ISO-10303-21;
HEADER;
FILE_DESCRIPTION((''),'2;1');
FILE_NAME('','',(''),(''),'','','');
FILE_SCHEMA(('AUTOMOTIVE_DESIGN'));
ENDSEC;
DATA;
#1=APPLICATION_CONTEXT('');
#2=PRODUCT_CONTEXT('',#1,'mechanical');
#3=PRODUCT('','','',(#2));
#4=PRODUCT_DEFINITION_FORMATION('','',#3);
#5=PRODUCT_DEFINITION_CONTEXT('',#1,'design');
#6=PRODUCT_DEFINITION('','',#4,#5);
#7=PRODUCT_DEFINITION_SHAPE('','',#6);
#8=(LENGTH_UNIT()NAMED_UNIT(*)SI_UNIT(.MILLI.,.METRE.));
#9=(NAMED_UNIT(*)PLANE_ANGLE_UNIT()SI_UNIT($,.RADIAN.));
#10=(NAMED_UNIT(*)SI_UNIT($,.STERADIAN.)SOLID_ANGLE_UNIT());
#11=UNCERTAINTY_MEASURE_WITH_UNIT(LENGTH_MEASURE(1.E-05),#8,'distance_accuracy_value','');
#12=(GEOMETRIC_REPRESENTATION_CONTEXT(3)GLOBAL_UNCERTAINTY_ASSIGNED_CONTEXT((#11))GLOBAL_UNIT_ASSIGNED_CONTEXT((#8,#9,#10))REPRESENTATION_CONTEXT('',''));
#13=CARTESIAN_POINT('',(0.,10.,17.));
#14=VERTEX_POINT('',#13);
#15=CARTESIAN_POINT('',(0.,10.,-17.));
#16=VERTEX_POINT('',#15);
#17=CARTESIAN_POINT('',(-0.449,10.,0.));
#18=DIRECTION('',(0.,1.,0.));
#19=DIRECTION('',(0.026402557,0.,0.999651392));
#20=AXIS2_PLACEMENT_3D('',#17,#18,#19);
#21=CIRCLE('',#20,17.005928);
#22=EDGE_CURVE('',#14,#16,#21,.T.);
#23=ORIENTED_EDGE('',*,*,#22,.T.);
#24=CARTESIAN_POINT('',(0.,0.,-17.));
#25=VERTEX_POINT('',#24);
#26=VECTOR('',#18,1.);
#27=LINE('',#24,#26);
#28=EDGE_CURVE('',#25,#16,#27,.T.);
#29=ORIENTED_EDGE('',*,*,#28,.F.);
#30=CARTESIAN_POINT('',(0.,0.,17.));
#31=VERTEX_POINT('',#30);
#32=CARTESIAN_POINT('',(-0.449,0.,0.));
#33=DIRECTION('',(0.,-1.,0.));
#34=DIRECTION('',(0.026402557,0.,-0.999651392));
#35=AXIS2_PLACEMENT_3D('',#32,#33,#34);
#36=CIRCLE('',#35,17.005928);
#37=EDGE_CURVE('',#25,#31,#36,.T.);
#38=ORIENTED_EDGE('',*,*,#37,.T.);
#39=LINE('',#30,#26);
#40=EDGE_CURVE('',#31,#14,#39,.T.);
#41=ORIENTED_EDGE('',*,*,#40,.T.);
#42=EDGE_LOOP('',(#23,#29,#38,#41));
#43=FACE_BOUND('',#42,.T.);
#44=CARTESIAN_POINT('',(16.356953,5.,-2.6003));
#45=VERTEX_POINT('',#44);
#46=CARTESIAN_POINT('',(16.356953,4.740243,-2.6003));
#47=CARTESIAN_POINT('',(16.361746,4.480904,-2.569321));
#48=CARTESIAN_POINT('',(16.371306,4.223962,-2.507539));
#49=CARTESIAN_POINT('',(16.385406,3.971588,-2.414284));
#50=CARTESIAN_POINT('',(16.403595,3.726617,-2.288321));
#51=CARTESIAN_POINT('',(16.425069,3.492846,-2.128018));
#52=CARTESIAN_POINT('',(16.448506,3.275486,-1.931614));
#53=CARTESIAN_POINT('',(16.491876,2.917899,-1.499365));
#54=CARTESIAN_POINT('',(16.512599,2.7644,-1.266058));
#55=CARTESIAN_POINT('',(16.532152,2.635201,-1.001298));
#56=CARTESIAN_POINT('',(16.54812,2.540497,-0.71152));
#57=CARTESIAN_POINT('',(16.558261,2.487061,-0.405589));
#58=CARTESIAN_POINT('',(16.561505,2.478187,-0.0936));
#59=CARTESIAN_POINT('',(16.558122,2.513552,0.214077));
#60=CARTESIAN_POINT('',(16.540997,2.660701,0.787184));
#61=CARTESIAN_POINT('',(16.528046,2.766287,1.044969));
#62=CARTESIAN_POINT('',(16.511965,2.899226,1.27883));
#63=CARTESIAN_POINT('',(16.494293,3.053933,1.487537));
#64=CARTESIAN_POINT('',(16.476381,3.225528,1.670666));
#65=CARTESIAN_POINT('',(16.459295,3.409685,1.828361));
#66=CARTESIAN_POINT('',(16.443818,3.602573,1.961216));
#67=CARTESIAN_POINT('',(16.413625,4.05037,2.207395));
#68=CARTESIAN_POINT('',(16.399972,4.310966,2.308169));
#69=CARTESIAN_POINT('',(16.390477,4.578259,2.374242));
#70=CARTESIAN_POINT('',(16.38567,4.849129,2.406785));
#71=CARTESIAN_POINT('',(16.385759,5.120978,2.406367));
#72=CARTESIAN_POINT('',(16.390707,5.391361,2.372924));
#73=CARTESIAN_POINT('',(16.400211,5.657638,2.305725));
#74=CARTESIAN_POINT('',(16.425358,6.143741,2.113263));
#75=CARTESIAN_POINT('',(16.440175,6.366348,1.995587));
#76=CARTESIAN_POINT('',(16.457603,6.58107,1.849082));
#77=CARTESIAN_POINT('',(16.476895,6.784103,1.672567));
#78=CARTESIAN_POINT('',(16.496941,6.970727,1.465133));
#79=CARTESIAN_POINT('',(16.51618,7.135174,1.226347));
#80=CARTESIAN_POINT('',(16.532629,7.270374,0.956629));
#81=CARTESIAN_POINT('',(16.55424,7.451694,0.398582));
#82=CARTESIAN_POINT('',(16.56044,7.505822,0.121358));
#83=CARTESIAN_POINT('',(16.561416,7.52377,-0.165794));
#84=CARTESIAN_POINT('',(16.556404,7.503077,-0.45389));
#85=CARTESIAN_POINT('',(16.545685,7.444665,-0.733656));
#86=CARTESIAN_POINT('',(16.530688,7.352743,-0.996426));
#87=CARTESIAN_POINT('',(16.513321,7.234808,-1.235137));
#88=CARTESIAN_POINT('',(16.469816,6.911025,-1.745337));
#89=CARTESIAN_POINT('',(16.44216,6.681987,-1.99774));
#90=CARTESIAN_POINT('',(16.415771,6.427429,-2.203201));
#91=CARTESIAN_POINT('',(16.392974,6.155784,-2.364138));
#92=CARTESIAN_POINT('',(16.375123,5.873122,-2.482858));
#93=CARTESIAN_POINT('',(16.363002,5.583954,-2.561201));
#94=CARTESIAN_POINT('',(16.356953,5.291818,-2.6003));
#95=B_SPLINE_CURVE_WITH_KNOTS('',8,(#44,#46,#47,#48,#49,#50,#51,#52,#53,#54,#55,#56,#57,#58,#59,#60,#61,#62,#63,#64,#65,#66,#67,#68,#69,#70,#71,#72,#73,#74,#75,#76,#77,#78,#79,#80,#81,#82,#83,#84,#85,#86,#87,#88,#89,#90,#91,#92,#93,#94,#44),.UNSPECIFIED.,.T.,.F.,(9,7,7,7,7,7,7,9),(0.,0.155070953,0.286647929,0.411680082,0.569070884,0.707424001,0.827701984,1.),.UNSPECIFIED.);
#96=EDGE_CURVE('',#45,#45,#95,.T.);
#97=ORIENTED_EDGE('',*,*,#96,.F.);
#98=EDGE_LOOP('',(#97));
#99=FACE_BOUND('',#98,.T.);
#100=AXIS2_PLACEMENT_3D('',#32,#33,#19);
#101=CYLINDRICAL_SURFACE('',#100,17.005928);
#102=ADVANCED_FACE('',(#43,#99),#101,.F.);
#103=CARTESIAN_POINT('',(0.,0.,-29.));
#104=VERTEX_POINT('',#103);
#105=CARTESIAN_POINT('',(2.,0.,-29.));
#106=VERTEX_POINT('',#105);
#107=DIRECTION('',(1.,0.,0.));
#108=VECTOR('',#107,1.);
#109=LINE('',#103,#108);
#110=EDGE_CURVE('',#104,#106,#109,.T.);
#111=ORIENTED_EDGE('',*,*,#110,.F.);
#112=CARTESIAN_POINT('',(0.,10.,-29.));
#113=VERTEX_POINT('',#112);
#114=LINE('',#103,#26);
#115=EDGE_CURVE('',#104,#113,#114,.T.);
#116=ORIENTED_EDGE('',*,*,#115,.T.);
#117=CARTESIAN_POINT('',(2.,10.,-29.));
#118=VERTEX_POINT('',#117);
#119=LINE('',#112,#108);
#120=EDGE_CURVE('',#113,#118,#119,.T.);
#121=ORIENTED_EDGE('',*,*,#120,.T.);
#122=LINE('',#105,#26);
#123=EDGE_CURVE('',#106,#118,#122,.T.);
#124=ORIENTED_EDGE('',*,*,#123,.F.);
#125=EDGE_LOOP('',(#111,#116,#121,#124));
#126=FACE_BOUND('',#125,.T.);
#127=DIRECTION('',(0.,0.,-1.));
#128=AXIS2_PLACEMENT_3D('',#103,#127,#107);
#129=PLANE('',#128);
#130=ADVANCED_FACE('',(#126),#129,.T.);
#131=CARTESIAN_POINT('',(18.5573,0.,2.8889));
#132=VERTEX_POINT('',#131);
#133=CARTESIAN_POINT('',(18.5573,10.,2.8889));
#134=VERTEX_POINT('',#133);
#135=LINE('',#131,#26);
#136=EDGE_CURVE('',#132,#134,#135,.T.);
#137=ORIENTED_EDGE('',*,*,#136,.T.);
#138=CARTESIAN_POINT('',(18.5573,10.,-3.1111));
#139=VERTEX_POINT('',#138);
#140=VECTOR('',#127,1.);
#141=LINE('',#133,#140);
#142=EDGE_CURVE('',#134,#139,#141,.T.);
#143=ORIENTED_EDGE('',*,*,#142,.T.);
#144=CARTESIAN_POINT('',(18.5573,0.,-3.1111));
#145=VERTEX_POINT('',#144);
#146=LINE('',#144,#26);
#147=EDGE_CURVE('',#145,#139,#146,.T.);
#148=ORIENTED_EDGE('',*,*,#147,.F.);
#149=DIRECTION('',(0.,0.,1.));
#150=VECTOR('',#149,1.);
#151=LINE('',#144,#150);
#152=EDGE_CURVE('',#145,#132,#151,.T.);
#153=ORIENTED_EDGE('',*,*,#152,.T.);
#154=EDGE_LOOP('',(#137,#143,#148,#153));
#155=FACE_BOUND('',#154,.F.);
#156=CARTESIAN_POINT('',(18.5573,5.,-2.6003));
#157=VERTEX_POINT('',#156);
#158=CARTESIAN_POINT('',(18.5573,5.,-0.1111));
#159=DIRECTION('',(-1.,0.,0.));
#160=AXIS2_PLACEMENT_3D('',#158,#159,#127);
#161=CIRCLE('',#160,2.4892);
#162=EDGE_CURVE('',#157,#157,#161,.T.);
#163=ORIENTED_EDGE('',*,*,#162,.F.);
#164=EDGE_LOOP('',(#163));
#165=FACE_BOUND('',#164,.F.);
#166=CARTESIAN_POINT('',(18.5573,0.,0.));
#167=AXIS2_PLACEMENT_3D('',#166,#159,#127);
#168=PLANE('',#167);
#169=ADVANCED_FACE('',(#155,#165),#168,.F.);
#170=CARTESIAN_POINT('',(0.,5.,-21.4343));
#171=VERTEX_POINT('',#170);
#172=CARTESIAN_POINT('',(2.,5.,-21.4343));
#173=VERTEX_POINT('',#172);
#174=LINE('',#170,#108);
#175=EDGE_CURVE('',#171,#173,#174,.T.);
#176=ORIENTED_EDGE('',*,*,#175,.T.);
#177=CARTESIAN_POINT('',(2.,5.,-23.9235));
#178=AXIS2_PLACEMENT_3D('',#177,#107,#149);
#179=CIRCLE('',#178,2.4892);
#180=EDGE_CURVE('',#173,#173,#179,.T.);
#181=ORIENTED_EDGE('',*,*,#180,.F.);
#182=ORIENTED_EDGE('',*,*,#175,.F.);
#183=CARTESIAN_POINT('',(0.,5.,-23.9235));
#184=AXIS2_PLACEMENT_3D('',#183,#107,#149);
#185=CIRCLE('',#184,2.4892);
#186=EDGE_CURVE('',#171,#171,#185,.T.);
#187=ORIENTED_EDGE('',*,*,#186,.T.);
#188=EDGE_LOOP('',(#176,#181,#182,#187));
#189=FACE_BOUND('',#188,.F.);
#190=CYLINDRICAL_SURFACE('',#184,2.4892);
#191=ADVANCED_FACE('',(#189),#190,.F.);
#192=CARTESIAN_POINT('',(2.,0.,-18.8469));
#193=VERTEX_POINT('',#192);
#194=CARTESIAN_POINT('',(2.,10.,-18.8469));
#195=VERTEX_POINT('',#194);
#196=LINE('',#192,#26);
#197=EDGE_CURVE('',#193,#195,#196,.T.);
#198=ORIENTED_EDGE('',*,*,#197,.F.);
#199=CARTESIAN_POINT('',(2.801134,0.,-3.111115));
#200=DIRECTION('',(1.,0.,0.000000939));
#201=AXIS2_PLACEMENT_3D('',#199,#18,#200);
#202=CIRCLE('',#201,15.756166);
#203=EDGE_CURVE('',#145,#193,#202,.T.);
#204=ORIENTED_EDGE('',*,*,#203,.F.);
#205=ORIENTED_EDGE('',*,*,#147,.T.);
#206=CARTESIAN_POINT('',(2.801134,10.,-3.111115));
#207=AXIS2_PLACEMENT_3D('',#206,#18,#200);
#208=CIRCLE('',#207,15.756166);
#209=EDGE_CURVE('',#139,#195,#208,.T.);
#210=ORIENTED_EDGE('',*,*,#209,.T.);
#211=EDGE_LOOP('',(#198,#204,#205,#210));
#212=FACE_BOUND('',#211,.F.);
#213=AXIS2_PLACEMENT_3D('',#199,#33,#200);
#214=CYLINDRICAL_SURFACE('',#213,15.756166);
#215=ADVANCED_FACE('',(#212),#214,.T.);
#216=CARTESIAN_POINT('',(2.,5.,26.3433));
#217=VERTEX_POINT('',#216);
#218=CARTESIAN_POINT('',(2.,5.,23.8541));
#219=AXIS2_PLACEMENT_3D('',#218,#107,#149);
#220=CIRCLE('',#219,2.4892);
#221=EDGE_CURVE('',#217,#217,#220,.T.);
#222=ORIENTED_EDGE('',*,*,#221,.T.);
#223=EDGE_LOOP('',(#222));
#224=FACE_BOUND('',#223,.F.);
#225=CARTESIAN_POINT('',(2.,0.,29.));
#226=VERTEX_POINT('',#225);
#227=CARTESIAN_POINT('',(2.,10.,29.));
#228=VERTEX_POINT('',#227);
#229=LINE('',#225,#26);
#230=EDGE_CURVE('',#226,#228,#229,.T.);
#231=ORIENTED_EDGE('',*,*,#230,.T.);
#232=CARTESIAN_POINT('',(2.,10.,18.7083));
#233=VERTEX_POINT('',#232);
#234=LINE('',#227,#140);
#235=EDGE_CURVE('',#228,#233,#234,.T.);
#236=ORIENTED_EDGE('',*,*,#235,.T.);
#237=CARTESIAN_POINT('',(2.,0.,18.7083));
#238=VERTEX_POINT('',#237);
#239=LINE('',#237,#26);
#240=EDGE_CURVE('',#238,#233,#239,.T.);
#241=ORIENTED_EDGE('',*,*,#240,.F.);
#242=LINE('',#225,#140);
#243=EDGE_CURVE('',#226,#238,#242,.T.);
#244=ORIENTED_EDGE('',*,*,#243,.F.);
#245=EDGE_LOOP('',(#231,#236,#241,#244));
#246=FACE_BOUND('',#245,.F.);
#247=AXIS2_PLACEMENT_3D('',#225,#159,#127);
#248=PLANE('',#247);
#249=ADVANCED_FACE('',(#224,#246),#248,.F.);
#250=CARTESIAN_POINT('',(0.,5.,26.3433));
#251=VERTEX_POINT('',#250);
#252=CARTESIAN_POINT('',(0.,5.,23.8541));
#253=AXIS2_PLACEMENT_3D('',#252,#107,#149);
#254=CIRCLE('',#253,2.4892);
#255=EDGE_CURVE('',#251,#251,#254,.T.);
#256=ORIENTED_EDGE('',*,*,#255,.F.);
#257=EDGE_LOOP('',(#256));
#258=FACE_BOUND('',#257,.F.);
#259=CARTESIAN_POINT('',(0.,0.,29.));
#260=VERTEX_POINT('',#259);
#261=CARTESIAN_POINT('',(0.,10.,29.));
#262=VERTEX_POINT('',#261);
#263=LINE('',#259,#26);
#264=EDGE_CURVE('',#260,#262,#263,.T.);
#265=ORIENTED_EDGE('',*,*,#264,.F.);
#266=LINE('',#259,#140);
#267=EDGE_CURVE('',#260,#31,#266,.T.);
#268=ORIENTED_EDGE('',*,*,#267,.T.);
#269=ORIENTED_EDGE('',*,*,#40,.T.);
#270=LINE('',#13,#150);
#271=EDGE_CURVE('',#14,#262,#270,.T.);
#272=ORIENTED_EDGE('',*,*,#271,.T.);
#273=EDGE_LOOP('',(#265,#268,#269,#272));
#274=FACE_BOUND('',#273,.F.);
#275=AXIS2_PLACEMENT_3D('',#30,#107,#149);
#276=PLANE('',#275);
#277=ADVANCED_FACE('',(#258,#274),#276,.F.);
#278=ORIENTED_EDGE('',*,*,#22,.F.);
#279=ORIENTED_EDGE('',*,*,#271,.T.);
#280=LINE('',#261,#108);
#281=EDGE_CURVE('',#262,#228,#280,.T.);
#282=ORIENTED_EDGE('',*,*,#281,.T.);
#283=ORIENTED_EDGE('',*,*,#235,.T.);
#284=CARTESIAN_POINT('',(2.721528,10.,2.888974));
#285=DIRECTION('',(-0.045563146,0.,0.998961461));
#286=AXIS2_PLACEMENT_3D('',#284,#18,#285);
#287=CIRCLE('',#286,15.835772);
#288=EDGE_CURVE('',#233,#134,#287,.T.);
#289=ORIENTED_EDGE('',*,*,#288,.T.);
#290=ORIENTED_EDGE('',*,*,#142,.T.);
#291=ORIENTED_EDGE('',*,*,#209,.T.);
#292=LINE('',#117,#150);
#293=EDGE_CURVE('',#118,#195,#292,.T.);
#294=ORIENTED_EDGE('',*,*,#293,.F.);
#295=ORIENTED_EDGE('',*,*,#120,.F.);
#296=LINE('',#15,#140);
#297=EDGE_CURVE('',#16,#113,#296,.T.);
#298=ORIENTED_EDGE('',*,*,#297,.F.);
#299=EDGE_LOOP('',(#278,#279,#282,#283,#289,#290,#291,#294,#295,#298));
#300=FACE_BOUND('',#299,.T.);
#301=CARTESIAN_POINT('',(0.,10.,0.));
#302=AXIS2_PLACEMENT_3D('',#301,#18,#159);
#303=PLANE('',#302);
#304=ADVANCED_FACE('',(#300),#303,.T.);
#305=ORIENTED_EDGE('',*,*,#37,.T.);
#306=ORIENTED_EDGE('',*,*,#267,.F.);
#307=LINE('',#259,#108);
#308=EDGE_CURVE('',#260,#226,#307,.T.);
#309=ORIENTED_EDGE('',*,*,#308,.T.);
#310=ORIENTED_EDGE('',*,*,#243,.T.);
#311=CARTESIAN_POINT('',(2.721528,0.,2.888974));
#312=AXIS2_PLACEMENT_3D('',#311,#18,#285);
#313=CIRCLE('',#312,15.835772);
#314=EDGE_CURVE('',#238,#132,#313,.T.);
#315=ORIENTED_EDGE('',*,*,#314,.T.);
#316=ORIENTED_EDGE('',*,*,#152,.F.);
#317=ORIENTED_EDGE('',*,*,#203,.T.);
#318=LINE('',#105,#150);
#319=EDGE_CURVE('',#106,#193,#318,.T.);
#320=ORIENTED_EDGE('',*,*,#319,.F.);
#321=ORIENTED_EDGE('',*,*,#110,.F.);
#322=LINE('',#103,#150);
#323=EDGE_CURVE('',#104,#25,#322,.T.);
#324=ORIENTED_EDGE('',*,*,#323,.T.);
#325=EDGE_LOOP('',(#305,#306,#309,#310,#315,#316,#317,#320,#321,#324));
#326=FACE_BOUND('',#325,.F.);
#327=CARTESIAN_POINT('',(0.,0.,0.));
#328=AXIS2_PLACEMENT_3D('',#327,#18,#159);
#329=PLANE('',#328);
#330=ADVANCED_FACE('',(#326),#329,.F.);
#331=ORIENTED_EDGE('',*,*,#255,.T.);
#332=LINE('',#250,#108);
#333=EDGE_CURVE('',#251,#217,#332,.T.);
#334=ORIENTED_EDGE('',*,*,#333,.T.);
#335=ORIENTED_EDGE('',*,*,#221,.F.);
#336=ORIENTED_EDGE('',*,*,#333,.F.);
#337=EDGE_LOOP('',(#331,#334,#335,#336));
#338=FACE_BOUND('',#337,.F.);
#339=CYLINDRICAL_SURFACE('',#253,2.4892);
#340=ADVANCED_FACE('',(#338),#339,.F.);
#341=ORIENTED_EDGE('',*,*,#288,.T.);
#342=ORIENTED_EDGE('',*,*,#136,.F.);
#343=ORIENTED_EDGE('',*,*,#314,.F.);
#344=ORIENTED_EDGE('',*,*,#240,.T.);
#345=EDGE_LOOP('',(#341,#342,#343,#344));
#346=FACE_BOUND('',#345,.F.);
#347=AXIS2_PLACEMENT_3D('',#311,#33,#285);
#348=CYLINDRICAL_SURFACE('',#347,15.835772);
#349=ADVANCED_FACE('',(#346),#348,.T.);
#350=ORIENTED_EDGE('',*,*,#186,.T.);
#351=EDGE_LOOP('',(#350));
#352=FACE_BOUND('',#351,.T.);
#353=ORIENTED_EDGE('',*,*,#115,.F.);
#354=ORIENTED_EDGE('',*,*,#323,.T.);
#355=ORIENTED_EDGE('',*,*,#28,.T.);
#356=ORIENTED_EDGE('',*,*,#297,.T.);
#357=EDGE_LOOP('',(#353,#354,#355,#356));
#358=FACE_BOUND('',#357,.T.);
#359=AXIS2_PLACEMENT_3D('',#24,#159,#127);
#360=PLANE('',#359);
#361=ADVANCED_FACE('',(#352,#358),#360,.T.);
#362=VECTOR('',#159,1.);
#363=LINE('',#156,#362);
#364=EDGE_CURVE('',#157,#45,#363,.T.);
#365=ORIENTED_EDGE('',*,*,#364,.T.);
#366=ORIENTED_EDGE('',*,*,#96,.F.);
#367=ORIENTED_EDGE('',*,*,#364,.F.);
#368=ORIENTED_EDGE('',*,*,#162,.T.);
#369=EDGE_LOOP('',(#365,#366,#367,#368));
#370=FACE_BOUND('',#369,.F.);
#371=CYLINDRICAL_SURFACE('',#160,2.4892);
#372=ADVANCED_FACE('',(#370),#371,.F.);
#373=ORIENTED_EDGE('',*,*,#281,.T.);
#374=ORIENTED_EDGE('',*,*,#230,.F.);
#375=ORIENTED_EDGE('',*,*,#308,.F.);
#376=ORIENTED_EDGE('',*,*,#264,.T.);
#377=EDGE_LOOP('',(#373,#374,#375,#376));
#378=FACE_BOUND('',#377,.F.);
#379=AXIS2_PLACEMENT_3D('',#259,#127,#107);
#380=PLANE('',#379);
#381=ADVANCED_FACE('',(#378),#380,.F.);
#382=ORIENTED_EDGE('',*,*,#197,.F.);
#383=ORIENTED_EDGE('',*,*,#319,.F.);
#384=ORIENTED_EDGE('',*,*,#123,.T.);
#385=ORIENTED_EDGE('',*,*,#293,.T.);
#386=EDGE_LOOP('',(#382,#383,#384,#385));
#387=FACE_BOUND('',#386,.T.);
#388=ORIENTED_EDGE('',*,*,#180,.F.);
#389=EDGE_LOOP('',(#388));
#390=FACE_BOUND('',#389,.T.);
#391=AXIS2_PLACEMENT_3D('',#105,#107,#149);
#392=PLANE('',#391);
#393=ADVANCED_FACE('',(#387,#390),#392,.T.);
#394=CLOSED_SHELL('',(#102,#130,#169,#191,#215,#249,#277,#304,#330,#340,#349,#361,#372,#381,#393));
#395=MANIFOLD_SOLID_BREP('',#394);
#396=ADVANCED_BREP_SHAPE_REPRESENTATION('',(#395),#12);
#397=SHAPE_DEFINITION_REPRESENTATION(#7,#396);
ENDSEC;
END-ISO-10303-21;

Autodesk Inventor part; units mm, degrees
ref_plane "YZ Plane" through (0, 0, 0) normal (1, 0, 0) x (0, 1, 0)
ref_plane "XZ Plane" through (0, 0, 0) normal (0, 1, 0) x (-1, 0, 0)
sketch "Szkic1" plane through (0, 0, 0) normal (0, 1, 0) x (-1, 0, 0)
  line L0 (0, 17) -> (0, -17) construction
  line L1 (0, 0) -> (-17, 0)
  line L2 (0, 17) -> (0, 19)
  line L3 (0, -17) -> (0, -19)
  line L4 (-16.5569, 0) -> (-18.5569, 0)
  line L5 (0, 19) -> (0, 29)
  line L6 (0, 29) -> (-2, 29)
  line L7 (-2, 29) -> (-2, 18.7083)
  line L8 (0, -19) -> (0, -29)
  line L9 (0, -29) -> (-2, -29)
  line L10 (-2, -29) -> (-2, -18.8469)
  line L11 (-18.5573, 2.8889) -> (-18.5573, -3.1111)
  arc A0 (-2, 18.7083) -> (-18.5573, 2.8889) centre (-2.7215, 2.8889) ccw
  arc A1 (-18.5573, -3.1111) -> (-2, -18.8469) centre (-2.8011, -3.1111) ccw
  arc A2 (0, 17) -> (0, -17) centre (0.449, 0) ccw
  dimension "d0" = 34
  dimension "d1" = 17
  dimension "d2" = 2
  dimension "d3" = 2
  dimension "d4" = 2
  dimension "d5" = 10
  dimension "d6" = 2
  dimension "d7" = 10
  dimension "d8" = 2
  dimension "d41" = 6
ref_plane "Płaszczyzna konstrukcyjna1" through (0, 0, 17) normal (-1, 0, 0) x (0, 0, 1)
extrude "Wyciągnięcie proste3" add sketch "Szkic1" along normal blind 10
sketch "Szkic4" plane through (0, 0, -29) normal (-1, 0, 0) x (0, 0, 1)
  line L0 (10.1531, 0) -> (10.1531, 10) projected
  line L1 (10.1531, 5) -> (0, 5) construction
  line L2 (0, 0) -> (0, 10) projected
  line L3 (10.1531, 10) -> (0, 10) projected
  line L4 (5.0765, 10) -> (5.0765, 0) construction
  line L5 (10.1531, 0) -> (0, 0) projected
  line L6 (47.7083, 0) -> (47.7083, 10) projected
  line L7 (47.7083, 5) -> (58, 5) construction
  line L8 (58, 0) -> (58, 10) projected
  line L9 (46, 10) -> (58, 10) projected
  line L10 (52.8541, 10) -> (52.8541, 0) construction
  circle A0 centre (52.8541, 5) radius 3
  circle A1 centre (5.0765, 5) radius 3
  point P0 (29, 0)
  dimension "d45" = 6
  dimension "d46" = 6
hole "Otwór4" at (0, 5, -23.9235) at (0, 5, 23.8541) direction (1, 0, 0) diameter 4.9784 depth 19.05 tip angle 118 thread size "1/4-20 UNC" class "2B" standard "ANSI Unified Screw Threads"
sketch "Szkic5" plane through (18.5573, 0, 2.8889) normal (1, 0, 0) x (0, 0, -1)
  line L0 (0, 10) -> (6, 10) projected
  line L1 (3, 10) -> (3, 0)
  line L2 (0, 0) -> (6, 0) projected
  line L3 (0, 0) -> (0, 10) projected
  line L4 (0, 5) -> (6, 5)
  line L5 (6, 0) -> (6, 10) projected
  circle A0 centre (3, 5) radius 3
  point P0 (2.8889, 0)
  dimension "d54" = 6
hole "Otwór5" at (18.5573, 5, -0.1111) direction (-1, 0, 0) diameter 4.9784 depth 19.05 tip angle 118 thread size "1/4-20 UNC" class "2B" standard "ANSI Unified Screw Threads"
properties part number "obejma_fi32_L44"
